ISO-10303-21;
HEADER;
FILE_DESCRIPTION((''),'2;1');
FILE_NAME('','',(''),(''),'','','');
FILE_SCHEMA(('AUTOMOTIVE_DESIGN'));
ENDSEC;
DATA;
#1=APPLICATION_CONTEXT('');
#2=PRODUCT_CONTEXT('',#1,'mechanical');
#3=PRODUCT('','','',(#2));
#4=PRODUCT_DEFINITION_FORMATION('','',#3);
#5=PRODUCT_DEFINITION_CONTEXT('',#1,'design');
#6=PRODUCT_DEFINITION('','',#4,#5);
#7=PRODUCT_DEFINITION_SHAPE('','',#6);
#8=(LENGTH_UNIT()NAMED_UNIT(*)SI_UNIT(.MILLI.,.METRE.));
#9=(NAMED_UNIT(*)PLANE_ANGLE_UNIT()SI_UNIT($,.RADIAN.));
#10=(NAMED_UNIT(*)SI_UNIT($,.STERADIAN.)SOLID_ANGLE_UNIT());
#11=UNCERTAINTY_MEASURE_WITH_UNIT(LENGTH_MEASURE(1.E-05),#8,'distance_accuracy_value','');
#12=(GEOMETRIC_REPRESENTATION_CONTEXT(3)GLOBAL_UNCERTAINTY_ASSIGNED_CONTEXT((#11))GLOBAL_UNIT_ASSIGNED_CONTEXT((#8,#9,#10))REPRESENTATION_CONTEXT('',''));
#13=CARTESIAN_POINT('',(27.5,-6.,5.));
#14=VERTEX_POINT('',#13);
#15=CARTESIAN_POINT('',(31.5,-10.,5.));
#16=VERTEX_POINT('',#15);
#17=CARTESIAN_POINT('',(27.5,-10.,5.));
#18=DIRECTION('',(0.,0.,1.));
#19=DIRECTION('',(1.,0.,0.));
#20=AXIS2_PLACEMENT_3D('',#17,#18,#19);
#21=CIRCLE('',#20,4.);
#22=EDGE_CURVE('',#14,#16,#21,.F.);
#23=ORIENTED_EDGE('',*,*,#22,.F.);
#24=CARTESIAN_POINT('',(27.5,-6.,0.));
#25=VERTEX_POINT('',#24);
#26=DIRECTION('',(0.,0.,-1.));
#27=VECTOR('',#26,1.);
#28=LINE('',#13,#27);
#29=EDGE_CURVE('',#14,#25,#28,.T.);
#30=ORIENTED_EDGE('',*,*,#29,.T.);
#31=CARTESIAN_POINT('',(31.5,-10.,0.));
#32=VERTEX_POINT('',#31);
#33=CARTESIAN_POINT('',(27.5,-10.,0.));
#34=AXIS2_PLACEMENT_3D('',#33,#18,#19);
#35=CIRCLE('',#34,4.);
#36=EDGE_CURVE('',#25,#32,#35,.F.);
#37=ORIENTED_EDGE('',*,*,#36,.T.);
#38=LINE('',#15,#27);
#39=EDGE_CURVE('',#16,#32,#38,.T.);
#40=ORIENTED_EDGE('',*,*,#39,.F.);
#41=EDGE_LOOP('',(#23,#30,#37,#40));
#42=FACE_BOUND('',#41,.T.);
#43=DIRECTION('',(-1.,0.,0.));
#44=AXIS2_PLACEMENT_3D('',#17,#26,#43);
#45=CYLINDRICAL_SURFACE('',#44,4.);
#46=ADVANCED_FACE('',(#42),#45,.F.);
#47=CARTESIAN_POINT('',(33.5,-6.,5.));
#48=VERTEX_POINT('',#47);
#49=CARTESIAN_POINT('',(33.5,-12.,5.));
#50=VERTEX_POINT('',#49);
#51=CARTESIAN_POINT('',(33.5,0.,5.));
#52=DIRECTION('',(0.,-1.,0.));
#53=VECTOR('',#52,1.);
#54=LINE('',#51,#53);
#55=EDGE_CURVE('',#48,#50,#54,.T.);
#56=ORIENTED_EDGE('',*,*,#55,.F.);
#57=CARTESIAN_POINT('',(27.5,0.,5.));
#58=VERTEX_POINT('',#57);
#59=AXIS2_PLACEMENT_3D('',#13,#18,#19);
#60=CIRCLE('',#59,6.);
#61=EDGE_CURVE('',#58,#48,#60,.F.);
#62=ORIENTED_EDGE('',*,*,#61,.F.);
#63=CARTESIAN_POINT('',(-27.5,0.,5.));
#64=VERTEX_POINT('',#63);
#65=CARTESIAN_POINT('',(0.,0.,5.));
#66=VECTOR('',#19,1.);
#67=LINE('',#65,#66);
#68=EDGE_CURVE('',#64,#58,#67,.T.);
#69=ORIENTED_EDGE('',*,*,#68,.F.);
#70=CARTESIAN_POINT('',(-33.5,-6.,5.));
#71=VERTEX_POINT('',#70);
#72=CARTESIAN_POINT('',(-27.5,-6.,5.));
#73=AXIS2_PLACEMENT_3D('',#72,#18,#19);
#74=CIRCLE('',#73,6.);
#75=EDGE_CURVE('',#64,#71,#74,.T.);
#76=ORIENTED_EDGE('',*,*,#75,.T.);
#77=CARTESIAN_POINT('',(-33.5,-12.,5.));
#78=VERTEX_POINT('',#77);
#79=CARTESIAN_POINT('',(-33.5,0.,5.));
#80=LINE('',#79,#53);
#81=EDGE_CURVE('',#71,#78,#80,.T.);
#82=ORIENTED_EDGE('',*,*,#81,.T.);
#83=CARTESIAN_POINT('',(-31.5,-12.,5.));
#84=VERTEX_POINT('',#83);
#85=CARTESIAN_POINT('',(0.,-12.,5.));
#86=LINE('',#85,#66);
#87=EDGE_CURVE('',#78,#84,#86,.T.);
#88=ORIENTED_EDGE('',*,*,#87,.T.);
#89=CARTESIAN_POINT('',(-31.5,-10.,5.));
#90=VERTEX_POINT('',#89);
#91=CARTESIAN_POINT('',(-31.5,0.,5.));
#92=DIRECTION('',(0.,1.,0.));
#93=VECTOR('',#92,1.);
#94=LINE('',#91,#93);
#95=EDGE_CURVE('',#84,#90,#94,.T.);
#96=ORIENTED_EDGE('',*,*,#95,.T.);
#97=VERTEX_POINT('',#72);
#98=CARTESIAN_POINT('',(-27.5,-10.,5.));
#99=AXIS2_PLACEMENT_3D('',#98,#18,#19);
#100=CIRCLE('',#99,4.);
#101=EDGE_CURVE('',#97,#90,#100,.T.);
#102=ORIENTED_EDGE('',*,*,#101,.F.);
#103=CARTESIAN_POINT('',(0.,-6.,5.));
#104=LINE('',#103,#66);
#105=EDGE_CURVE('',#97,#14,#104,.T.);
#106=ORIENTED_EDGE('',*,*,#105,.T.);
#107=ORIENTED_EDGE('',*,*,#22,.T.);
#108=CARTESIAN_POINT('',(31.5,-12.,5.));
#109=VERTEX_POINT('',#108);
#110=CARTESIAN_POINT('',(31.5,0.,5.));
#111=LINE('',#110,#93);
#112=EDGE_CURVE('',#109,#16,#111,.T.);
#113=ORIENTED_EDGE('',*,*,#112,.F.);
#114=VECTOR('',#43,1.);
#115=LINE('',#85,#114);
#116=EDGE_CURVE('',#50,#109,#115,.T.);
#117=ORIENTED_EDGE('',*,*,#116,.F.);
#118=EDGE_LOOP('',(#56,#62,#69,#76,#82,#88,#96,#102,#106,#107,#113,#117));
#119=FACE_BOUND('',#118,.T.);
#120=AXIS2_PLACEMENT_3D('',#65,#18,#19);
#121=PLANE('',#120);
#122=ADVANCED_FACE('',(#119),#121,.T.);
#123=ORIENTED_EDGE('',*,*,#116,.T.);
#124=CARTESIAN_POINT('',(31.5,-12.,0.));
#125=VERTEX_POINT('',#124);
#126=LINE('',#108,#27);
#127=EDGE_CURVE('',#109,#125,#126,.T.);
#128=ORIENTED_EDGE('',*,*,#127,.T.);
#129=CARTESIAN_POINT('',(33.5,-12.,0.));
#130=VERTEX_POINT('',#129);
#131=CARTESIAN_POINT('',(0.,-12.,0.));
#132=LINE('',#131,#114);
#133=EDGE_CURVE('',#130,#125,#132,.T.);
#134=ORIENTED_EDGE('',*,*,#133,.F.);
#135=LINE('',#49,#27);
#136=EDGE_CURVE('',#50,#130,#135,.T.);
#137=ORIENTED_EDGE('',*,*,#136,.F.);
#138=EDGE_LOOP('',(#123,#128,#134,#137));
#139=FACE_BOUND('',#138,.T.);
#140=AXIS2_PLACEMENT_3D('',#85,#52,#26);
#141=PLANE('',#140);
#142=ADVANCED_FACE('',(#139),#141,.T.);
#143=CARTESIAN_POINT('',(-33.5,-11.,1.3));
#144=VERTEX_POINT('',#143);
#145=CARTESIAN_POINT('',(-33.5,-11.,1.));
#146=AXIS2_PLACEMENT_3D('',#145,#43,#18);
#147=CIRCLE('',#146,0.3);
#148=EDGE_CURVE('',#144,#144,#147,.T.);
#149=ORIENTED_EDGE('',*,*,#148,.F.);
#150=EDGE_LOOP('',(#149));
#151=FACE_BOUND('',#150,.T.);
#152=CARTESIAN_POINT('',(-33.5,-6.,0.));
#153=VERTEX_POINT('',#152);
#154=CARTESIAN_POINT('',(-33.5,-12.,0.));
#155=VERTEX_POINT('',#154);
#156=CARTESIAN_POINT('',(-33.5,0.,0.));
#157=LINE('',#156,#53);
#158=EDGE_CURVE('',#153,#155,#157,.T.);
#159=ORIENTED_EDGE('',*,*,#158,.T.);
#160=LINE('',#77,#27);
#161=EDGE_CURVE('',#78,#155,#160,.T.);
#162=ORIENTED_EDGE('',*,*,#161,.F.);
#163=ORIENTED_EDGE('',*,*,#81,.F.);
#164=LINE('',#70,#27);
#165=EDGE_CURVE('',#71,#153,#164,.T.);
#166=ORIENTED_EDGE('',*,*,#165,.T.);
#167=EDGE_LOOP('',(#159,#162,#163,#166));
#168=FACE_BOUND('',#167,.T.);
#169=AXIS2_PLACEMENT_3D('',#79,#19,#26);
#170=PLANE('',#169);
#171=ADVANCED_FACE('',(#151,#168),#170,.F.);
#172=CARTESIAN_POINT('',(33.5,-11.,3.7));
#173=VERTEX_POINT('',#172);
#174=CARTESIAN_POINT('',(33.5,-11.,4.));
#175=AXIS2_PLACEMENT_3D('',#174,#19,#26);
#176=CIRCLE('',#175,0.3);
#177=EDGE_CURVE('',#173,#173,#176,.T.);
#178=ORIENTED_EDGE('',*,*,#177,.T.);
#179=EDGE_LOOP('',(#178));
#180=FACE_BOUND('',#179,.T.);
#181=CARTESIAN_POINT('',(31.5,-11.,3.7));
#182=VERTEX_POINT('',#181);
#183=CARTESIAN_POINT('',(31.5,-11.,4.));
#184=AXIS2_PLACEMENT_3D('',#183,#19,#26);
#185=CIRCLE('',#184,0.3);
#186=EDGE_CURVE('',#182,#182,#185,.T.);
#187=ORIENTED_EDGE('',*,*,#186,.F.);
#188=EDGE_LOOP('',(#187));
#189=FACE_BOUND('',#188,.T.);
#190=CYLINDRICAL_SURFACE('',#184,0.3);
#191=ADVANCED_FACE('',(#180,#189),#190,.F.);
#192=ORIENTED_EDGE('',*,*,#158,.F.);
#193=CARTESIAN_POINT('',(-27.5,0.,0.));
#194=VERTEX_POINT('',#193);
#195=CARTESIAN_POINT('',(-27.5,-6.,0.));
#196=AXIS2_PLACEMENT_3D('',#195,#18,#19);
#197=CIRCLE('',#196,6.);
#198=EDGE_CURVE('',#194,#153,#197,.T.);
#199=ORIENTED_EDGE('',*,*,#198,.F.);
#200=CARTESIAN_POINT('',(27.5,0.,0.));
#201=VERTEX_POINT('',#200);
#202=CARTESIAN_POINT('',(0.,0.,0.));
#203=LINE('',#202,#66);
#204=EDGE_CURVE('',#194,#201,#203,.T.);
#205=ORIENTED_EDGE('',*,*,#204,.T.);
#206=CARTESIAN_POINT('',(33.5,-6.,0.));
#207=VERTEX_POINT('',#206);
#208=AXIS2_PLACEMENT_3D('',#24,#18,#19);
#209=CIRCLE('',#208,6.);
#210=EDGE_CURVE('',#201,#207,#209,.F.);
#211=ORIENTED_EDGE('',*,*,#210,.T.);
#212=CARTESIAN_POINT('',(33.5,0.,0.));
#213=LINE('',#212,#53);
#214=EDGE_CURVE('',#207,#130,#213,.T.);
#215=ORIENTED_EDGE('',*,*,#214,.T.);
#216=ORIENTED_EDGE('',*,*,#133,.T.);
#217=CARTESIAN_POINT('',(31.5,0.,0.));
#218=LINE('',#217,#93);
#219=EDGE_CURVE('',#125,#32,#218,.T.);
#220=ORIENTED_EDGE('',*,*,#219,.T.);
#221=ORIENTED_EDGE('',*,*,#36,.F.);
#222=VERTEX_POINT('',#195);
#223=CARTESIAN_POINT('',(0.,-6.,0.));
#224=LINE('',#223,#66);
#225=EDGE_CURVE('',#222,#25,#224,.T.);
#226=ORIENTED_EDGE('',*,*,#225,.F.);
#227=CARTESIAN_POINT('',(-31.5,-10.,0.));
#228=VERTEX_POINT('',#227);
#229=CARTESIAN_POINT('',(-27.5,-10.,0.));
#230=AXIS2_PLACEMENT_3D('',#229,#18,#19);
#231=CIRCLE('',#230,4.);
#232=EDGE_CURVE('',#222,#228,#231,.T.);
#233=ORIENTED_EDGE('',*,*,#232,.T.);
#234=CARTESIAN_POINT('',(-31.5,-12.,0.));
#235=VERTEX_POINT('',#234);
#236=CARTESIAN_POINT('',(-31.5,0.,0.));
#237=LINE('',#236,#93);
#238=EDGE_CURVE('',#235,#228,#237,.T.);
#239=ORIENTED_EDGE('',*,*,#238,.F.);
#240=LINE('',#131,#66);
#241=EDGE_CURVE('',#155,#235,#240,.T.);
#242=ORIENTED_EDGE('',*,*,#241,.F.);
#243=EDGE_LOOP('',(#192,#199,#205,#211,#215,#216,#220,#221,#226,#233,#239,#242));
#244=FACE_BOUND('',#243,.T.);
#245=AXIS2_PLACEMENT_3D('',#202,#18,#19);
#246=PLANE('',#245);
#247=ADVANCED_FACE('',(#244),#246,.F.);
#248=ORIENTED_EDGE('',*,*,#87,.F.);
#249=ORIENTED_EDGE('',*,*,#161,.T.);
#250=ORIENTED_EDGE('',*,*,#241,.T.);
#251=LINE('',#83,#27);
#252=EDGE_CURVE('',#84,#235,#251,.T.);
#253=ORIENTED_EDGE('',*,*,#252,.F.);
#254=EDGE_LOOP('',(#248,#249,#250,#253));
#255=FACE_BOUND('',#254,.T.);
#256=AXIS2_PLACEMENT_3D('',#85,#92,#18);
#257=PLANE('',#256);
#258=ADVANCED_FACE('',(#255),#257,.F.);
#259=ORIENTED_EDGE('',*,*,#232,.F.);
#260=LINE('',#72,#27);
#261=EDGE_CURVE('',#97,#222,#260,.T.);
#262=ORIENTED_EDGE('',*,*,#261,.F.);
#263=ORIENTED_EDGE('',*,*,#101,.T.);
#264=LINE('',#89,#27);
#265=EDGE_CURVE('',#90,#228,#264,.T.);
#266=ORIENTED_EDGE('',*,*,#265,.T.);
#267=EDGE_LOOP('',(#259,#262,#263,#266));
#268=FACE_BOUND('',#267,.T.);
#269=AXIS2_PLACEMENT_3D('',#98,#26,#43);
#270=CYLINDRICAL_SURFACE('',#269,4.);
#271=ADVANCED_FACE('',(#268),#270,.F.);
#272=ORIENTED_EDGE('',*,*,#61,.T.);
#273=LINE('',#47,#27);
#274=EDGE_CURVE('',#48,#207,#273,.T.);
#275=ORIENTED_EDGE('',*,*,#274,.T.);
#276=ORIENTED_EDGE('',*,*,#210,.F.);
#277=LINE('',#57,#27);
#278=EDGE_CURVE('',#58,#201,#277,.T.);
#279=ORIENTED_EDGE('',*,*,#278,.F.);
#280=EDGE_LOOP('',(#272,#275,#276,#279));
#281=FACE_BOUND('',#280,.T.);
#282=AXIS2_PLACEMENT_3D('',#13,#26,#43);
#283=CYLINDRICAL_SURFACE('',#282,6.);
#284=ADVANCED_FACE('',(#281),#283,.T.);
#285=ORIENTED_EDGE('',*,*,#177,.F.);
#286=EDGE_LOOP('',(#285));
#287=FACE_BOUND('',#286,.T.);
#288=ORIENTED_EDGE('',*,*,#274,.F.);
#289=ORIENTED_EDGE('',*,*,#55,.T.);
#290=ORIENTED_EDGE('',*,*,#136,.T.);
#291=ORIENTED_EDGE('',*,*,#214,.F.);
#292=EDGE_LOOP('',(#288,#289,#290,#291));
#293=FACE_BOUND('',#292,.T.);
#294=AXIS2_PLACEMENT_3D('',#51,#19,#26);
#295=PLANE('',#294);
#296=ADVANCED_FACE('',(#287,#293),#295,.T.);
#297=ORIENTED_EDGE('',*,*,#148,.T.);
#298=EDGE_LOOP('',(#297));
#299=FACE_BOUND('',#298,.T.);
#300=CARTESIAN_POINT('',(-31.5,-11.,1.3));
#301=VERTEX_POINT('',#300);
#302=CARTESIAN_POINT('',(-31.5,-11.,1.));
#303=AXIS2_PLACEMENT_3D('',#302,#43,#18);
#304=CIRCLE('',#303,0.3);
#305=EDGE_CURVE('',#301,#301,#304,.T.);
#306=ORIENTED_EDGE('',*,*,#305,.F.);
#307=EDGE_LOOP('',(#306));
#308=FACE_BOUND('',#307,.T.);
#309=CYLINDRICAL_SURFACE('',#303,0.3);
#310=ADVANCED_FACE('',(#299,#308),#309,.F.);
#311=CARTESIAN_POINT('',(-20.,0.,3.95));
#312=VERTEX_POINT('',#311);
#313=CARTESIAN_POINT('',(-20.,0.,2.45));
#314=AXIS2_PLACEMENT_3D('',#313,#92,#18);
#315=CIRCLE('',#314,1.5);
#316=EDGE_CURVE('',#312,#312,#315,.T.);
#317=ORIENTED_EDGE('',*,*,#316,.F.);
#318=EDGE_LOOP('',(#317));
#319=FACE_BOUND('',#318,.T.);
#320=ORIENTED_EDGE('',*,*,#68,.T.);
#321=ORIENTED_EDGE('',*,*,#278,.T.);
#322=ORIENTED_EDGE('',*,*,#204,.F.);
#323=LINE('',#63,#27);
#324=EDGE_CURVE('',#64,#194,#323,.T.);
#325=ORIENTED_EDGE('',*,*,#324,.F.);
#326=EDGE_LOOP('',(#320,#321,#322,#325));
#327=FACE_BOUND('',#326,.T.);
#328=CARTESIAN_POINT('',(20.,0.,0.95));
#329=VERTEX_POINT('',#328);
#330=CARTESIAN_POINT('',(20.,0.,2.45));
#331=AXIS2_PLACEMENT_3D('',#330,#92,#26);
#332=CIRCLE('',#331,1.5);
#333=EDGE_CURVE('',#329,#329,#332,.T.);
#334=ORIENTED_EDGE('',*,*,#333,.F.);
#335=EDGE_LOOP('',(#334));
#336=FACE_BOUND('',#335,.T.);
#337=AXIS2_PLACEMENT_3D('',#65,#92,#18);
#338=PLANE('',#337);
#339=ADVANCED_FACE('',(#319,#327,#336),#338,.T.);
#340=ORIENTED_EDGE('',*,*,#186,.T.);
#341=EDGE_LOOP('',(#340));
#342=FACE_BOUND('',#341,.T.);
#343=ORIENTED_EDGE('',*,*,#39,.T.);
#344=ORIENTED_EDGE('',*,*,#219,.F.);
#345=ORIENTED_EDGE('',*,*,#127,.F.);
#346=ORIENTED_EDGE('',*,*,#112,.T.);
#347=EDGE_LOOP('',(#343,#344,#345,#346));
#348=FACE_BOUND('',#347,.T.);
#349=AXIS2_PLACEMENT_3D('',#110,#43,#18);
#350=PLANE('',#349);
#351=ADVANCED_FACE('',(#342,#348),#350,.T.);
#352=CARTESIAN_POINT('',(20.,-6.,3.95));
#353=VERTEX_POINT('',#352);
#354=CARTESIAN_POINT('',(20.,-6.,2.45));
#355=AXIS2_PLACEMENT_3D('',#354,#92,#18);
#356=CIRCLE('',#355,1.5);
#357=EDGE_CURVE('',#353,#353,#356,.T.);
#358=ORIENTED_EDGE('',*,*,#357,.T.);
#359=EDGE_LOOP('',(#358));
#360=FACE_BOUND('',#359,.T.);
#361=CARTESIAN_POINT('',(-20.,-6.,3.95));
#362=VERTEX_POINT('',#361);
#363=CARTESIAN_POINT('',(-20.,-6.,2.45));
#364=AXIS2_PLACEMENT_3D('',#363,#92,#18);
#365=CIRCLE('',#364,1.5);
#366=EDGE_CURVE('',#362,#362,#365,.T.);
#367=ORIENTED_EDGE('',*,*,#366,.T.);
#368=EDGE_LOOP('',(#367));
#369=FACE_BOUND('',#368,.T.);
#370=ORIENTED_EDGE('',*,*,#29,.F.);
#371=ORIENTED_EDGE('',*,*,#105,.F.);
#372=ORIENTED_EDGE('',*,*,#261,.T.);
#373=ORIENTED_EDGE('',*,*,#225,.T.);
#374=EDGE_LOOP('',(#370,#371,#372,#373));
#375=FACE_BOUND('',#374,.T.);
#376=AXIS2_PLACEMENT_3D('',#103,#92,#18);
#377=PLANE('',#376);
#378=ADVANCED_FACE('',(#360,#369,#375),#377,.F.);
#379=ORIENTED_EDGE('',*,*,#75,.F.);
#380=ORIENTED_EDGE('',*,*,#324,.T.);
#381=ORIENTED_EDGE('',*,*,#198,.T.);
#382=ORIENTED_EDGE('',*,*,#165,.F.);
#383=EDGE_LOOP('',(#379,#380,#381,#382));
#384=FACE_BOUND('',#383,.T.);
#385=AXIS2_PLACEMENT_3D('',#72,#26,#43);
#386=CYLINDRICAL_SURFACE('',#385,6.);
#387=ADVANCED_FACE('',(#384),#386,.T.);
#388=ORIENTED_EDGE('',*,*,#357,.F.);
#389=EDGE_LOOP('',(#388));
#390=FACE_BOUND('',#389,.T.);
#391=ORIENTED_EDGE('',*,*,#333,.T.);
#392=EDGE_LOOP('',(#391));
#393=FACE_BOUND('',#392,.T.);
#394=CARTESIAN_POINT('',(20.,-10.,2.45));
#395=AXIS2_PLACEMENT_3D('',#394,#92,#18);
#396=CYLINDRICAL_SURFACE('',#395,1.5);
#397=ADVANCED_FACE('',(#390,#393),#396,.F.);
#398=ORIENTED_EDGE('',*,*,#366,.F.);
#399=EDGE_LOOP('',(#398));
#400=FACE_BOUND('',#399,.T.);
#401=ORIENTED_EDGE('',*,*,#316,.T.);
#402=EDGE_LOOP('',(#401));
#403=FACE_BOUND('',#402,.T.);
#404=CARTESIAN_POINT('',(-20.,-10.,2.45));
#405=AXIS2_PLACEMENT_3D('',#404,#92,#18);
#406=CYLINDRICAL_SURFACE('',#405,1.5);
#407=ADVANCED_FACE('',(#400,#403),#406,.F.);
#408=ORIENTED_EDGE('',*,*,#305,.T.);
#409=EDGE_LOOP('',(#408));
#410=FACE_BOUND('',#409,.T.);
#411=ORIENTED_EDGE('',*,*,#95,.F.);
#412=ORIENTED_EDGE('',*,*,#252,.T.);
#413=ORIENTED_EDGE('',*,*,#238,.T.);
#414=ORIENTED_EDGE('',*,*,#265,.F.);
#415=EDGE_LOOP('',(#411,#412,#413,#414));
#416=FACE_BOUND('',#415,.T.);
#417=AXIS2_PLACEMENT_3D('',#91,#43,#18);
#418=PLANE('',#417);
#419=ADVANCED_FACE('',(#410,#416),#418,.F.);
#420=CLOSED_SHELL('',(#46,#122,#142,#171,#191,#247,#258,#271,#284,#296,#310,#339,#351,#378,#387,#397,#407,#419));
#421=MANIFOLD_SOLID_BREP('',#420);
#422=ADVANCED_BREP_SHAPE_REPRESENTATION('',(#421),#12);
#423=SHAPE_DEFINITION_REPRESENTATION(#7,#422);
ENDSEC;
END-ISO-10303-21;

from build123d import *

# Parameters (mm, degrees)
SKETCH2_W           = 55
SKETCH2_H           = 6
BOSS_EXTRUDE8_DEPTH = 5
SKETCH4_R           = 0.3
CUT_EXTRUDE3_DEPTH  = 2
SKETCH5_R           = 0.3
CUT_EXTRUDE4_DEPTH  = 2
SKETCH6_R           = 1.5
CUT_EXTRUDE5_DEPTH  = 10


with BuildPart() as part:
    # Sketch2 → Boss-Extrude8 (new body)
    with BuildSketch(Plane.XY):
        with Locations((0, -3)):
            Rectangle(SKETCH2_W, SKETCH2_H)
        with BuildLine():
            ThreePointArc((-27.5, -6), (-30.328427125, -7.171572875), (-31.5, -10))
            Line((-31.5, -10), (-31.5, -12))
            Line((-31.5, -12), (-33.5, -12))
            Line((-33.5, -12), (-33.5, -6))
            ThreePointArc((-33.5, -6), (-31.742640687, -1.757359313), (-27.5, 0))
            Line((-27.5, 0), (-27.5, -6))
        make_face()
        with BuildLine():
            Line((27.5, -6), (27.5, 0))
            ThreePointArc((27.5, 0), (31.742640687, -1.757359313), (33.5, -6))
            Line((33.5, -6), (33.5, -12))
            Line((33.5, -12), (31.5, -12))
            Line((31.5, -12), (31.5, -10))
            ThreePointArc((31.5, -10), (30.328427125, -7.171572875), (27.5, -6))
        make_face()
    extrude(amount=BOSS_EXTRUDE8_DEPTH)

    # Sketch4 → Cut-Extrude3 (cut)
    with BuildSketch(Plane(origin=(33.5, 0, 0), x_dir=(0, 0, -1), z_dir=(1, 0, 0))):
        with Locations((-4, -11)):
            Circle(SKETCH4_R)
    extrude(amount=-CUT_EXTRUDE3_DEPTH, mode=Mode.SUBTRACT)

    # Sketch5 → Cut-Extrude4 (cut)
    with BuildSketch(Plane.ZY.offset(33.5)):
        with Locations((1, -11)):
            Circle(SKETCH5_R)
    extrude(amount=-CUT_EXTRUDE4_DEPTH, mode=Mode.SUBTRACT)

    # Sketch6 → Cut-Extrude5 (cut)
    with BuildSketch(Plane(origin=(0, 0, 0), x_dir=(1, 0, 0), z_dir=(0, 1, 0))):
        with Locations(Location((-20, -2.45, 0), (0, 0, 270))):
            Circle(SKETCH6_R)
        with Locations(Location((20, -2.45, 0), (0, 0, 270))):
            Circle(SKETCH6_R)
    extrude(amount=-CUT_EXTRUDE5_DEPTH, mode=Mode.SUBTRACT)


solid = part.part
